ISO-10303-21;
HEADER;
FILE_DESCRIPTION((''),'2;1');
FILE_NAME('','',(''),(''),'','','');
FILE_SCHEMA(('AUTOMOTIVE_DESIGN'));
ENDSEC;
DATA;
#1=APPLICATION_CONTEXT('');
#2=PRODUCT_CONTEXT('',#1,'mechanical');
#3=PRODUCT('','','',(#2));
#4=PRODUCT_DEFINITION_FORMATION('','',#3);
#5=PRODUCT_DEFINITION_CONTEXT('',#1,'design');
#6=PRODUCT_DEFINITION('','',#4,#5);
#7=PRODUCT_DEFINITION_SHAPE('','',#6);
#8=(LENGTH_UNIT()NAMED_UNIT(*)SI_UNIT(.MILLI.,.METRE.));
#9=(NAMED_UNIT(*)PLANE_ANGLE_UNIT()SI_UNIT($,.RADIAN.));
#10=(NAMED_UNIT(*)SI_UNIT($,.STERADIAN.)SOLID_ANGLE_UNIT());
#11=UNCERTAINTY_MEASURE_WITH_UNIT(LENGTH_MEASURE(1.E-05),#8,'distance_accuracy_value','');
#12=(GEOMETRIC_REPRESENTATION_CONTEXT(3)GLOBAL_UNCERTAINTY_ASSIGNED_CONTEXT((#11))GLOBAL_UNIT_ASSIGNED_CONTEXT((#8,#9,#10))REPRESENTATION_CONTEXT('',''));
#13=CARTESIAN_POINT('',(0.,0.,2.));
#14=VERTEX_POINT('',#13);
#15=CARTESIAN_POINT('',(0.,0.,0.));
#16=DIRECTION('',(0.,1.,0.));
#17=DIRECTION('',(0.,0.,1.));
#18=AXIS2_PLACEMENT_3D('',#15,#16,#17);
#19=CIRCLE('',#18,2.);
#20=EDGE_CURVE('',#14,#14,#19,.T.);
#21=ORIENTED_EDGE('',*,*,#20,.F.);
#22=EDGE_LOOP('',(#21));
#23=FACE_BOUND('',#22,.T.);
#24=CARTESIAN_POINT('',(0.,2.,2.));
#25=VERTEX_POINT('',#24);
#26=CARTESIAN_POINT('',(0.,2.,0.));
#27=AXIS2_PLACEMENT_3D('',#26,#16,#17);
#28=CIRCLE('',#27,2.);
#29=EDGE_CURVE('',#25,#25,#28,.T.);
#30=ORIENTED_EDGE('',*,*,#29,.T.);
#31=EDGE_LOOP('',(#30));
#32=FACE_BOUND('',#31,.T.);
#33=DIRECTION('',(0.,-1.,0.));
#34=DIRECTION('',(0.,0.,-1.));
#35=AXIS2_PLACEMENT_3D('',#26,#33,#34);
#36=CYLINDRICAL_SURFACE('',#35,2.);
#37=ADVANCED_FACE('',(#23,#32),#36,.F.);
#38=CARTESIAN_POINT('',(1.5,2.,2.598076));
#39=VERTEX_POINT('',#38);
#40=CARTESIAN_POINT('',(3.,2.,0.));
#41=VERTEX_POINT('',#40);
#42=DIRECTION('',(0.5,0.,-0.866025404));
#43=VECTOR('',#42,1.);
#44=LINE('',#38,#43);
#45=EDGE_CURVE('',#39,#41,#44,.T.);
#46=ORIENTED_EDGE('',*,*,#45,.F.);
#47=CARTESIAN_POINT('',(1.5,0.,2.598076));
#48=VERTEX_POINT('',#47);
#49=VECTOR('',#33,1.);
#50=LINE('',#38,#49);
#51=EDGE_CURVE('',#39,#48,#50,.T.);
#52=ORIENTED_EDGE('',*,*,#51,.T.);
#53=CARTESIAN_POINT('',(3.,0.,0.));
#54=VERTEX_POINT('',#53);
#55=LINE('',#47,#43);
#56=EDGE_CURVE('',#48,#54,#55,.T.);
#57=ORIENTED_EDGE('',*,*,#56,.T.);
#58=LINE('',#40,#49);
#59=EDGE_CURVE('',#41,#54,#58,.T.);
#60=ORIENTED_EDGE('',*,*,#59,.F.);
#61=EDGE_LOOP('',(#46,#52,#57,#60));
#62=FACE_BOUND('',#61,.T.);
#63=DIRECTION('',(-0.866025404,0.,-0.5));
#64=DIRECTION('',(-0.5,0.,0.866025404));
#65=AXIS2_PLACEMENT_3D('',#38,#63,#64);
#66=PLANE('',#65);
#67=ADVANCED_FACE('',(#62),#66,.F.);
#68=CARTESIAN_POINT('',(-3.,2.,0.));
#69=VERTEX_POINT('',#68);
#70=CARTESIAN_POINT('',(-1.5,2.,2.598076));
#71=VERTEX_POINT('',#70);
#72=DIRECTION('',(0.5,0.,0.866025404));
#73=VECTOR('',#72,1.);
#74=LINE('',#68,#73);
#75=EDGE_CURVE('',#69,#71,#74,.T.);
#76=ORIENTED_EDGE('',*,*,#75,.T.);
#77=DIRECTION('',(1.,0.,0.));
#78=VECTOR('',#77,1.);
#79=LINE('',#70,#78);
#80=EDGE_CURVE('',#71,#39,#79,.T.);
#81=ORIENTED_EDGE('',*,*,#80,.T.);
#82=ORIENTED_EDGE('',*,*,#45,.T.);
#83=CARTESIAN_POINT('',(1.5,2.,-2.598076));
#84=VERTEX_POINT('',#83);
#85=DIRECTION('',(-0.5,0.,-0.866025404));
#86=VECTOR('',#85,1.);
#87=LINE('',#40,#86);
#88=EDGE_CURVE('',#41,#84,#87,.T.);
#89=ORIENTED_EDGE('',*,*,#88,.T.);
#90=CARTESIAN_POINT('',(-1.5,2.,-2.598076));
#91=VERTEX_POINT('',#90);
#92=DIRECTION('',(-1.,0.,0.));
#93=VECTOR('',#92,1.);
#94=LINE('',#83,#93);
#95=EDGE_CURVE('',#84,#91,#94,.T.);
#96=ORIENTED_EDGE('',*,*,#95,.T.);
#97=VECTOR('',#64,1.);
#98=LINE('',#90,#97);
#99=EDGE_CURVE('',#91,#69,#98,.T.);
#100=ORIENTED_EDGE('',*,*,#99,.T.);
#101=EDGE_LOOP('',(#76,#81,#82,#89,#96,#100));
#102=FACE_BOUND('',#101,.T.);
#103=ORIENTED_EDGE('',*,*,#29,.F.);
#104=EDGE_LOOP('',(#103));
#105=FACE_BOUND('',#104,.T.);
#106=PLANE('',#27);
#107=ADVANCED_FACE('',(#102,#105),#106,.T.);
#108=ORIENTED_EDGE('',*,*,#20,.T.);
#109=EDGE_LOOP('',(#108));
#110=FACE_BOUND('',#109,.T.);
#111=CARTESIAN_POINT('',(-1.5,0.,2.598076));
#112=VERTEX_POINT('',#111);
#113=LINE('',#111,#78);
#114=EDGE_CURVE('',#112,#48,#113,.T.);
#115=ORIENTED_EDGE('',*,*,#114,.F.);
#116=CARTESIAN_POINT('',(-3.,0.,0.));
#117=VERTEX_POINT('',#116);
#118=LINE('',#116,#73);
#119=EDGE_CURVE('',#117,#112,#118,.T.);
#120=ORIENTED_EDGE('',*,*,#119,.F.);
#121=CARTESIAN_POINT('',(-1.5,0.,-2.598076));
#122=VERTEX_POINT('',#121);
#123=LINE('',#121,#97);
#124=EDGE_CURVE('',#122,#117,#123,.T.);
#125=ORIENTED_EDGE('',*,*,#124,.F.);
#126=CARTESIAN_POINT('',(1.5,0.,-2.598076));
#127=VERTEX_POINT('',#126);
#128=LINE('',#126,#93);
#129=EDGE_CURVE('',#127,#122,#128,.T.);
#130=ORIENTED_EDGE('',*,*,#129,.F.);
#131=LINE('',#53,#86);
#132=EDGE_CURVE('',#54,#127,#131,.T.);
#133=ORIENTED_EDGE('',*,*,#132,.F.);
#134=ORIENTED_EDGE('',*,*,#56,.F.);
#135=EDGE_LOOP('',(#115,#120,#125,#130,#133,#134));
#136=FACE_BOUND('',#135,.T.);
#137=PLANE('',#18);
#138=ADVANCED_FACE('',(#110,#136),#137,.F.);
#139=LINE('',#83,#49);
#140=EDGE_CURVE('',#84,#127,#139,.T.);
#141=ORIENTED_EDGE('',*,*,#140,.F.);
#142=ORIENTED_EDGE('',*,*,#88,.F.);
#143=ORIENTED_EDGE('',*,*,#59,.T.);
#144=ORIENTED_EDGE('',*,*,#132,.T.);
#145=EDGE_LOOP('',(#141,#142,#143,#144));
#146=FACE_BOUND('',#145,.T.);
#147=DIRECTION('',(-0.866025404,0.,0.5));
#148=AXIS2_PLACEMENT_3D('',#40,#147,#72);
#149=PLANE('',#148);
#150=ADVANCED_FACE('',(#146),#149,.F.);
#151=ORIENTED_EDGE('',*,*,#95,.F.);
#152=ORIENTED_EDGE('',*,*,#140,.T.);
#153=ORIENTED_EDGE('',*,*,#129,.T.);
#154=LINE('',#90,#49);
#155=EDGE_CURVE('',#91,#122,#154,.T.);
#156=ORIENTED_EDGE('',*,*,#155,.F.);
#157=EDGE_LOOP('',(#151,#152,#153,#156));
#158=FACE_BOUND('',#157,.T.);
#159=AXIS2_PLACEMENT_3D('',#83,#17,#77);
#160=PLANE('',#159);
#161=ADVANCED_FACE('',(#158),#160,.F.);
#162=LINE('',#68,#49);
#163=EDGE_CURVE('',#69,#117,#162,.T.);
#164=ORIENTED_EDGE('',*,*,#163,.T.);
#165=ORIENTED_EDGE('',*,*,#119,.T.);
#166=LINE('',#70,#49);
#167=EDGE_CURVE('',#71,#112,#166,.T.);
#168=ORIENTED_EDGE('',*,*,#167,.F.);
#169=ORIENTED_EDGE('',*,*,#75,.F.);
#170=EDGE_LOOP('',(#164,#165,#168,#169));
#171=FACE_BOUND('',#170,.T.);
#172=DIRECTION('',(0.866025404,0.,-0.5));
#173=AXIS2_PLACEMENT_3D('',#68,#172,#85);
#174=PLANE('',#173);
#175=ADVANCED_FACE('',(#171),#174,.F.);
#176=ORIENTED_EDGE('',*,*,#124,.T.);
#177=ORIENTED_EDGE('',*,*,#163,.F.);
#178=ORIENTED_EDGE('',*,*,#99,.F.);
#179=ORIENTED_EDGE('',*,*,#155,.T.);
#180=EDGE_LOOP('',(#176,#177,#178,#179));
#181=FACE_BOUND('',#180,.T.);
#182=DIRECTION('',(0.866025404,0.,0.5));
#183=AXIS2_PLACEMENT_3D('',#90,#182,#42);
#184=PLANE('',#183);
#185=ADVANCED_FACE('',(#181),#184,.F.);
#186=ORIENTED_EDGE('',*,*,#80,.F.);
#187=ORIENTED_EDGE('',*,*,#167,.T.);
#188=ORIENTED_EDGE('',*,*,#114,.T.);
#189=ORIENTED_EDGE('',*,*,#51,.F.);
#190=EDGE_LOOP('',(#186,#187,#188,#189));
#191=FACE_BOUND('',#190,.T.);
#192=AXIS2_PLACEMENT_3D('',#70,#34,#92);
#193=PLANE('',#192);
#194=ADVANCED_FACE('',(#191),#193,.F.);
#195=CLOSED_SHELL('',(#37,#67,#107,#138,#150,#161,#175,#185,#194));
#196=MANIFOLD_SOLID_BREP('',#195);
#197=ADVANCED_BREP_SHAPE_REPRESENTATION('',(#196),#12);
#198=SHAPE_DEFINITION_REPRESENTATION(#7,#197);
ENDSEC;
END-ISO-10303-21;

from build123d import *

# Parameters (mm, degrees)
SKETCH_1_R      = 2
EXTRUDE_1_DEPTH = 2


with BuildPart() as part:
    # 草图1 → 凸台-拉伸1 (new body)
    with BuildSketch(Plane(origin=(0, 0, 0), x_dir=(1, 0, 0), z_dir=(0, 1, 0))):
        Polygon((1.5, 2.598076211), (-1.5, 2.598076211), (-3, 0), (-1.5, -2.598076211), (1.5, -2.598076211), (3, 0), align=None)
        with Locations(Location((0, 0, 0), (0, 0, 270))):
            Circle(SKETCH_1_R, mode=Mode.SUBTRACT)
    extrude(amount=EXTRUDE_1_DEPTH)


solid = part.part
